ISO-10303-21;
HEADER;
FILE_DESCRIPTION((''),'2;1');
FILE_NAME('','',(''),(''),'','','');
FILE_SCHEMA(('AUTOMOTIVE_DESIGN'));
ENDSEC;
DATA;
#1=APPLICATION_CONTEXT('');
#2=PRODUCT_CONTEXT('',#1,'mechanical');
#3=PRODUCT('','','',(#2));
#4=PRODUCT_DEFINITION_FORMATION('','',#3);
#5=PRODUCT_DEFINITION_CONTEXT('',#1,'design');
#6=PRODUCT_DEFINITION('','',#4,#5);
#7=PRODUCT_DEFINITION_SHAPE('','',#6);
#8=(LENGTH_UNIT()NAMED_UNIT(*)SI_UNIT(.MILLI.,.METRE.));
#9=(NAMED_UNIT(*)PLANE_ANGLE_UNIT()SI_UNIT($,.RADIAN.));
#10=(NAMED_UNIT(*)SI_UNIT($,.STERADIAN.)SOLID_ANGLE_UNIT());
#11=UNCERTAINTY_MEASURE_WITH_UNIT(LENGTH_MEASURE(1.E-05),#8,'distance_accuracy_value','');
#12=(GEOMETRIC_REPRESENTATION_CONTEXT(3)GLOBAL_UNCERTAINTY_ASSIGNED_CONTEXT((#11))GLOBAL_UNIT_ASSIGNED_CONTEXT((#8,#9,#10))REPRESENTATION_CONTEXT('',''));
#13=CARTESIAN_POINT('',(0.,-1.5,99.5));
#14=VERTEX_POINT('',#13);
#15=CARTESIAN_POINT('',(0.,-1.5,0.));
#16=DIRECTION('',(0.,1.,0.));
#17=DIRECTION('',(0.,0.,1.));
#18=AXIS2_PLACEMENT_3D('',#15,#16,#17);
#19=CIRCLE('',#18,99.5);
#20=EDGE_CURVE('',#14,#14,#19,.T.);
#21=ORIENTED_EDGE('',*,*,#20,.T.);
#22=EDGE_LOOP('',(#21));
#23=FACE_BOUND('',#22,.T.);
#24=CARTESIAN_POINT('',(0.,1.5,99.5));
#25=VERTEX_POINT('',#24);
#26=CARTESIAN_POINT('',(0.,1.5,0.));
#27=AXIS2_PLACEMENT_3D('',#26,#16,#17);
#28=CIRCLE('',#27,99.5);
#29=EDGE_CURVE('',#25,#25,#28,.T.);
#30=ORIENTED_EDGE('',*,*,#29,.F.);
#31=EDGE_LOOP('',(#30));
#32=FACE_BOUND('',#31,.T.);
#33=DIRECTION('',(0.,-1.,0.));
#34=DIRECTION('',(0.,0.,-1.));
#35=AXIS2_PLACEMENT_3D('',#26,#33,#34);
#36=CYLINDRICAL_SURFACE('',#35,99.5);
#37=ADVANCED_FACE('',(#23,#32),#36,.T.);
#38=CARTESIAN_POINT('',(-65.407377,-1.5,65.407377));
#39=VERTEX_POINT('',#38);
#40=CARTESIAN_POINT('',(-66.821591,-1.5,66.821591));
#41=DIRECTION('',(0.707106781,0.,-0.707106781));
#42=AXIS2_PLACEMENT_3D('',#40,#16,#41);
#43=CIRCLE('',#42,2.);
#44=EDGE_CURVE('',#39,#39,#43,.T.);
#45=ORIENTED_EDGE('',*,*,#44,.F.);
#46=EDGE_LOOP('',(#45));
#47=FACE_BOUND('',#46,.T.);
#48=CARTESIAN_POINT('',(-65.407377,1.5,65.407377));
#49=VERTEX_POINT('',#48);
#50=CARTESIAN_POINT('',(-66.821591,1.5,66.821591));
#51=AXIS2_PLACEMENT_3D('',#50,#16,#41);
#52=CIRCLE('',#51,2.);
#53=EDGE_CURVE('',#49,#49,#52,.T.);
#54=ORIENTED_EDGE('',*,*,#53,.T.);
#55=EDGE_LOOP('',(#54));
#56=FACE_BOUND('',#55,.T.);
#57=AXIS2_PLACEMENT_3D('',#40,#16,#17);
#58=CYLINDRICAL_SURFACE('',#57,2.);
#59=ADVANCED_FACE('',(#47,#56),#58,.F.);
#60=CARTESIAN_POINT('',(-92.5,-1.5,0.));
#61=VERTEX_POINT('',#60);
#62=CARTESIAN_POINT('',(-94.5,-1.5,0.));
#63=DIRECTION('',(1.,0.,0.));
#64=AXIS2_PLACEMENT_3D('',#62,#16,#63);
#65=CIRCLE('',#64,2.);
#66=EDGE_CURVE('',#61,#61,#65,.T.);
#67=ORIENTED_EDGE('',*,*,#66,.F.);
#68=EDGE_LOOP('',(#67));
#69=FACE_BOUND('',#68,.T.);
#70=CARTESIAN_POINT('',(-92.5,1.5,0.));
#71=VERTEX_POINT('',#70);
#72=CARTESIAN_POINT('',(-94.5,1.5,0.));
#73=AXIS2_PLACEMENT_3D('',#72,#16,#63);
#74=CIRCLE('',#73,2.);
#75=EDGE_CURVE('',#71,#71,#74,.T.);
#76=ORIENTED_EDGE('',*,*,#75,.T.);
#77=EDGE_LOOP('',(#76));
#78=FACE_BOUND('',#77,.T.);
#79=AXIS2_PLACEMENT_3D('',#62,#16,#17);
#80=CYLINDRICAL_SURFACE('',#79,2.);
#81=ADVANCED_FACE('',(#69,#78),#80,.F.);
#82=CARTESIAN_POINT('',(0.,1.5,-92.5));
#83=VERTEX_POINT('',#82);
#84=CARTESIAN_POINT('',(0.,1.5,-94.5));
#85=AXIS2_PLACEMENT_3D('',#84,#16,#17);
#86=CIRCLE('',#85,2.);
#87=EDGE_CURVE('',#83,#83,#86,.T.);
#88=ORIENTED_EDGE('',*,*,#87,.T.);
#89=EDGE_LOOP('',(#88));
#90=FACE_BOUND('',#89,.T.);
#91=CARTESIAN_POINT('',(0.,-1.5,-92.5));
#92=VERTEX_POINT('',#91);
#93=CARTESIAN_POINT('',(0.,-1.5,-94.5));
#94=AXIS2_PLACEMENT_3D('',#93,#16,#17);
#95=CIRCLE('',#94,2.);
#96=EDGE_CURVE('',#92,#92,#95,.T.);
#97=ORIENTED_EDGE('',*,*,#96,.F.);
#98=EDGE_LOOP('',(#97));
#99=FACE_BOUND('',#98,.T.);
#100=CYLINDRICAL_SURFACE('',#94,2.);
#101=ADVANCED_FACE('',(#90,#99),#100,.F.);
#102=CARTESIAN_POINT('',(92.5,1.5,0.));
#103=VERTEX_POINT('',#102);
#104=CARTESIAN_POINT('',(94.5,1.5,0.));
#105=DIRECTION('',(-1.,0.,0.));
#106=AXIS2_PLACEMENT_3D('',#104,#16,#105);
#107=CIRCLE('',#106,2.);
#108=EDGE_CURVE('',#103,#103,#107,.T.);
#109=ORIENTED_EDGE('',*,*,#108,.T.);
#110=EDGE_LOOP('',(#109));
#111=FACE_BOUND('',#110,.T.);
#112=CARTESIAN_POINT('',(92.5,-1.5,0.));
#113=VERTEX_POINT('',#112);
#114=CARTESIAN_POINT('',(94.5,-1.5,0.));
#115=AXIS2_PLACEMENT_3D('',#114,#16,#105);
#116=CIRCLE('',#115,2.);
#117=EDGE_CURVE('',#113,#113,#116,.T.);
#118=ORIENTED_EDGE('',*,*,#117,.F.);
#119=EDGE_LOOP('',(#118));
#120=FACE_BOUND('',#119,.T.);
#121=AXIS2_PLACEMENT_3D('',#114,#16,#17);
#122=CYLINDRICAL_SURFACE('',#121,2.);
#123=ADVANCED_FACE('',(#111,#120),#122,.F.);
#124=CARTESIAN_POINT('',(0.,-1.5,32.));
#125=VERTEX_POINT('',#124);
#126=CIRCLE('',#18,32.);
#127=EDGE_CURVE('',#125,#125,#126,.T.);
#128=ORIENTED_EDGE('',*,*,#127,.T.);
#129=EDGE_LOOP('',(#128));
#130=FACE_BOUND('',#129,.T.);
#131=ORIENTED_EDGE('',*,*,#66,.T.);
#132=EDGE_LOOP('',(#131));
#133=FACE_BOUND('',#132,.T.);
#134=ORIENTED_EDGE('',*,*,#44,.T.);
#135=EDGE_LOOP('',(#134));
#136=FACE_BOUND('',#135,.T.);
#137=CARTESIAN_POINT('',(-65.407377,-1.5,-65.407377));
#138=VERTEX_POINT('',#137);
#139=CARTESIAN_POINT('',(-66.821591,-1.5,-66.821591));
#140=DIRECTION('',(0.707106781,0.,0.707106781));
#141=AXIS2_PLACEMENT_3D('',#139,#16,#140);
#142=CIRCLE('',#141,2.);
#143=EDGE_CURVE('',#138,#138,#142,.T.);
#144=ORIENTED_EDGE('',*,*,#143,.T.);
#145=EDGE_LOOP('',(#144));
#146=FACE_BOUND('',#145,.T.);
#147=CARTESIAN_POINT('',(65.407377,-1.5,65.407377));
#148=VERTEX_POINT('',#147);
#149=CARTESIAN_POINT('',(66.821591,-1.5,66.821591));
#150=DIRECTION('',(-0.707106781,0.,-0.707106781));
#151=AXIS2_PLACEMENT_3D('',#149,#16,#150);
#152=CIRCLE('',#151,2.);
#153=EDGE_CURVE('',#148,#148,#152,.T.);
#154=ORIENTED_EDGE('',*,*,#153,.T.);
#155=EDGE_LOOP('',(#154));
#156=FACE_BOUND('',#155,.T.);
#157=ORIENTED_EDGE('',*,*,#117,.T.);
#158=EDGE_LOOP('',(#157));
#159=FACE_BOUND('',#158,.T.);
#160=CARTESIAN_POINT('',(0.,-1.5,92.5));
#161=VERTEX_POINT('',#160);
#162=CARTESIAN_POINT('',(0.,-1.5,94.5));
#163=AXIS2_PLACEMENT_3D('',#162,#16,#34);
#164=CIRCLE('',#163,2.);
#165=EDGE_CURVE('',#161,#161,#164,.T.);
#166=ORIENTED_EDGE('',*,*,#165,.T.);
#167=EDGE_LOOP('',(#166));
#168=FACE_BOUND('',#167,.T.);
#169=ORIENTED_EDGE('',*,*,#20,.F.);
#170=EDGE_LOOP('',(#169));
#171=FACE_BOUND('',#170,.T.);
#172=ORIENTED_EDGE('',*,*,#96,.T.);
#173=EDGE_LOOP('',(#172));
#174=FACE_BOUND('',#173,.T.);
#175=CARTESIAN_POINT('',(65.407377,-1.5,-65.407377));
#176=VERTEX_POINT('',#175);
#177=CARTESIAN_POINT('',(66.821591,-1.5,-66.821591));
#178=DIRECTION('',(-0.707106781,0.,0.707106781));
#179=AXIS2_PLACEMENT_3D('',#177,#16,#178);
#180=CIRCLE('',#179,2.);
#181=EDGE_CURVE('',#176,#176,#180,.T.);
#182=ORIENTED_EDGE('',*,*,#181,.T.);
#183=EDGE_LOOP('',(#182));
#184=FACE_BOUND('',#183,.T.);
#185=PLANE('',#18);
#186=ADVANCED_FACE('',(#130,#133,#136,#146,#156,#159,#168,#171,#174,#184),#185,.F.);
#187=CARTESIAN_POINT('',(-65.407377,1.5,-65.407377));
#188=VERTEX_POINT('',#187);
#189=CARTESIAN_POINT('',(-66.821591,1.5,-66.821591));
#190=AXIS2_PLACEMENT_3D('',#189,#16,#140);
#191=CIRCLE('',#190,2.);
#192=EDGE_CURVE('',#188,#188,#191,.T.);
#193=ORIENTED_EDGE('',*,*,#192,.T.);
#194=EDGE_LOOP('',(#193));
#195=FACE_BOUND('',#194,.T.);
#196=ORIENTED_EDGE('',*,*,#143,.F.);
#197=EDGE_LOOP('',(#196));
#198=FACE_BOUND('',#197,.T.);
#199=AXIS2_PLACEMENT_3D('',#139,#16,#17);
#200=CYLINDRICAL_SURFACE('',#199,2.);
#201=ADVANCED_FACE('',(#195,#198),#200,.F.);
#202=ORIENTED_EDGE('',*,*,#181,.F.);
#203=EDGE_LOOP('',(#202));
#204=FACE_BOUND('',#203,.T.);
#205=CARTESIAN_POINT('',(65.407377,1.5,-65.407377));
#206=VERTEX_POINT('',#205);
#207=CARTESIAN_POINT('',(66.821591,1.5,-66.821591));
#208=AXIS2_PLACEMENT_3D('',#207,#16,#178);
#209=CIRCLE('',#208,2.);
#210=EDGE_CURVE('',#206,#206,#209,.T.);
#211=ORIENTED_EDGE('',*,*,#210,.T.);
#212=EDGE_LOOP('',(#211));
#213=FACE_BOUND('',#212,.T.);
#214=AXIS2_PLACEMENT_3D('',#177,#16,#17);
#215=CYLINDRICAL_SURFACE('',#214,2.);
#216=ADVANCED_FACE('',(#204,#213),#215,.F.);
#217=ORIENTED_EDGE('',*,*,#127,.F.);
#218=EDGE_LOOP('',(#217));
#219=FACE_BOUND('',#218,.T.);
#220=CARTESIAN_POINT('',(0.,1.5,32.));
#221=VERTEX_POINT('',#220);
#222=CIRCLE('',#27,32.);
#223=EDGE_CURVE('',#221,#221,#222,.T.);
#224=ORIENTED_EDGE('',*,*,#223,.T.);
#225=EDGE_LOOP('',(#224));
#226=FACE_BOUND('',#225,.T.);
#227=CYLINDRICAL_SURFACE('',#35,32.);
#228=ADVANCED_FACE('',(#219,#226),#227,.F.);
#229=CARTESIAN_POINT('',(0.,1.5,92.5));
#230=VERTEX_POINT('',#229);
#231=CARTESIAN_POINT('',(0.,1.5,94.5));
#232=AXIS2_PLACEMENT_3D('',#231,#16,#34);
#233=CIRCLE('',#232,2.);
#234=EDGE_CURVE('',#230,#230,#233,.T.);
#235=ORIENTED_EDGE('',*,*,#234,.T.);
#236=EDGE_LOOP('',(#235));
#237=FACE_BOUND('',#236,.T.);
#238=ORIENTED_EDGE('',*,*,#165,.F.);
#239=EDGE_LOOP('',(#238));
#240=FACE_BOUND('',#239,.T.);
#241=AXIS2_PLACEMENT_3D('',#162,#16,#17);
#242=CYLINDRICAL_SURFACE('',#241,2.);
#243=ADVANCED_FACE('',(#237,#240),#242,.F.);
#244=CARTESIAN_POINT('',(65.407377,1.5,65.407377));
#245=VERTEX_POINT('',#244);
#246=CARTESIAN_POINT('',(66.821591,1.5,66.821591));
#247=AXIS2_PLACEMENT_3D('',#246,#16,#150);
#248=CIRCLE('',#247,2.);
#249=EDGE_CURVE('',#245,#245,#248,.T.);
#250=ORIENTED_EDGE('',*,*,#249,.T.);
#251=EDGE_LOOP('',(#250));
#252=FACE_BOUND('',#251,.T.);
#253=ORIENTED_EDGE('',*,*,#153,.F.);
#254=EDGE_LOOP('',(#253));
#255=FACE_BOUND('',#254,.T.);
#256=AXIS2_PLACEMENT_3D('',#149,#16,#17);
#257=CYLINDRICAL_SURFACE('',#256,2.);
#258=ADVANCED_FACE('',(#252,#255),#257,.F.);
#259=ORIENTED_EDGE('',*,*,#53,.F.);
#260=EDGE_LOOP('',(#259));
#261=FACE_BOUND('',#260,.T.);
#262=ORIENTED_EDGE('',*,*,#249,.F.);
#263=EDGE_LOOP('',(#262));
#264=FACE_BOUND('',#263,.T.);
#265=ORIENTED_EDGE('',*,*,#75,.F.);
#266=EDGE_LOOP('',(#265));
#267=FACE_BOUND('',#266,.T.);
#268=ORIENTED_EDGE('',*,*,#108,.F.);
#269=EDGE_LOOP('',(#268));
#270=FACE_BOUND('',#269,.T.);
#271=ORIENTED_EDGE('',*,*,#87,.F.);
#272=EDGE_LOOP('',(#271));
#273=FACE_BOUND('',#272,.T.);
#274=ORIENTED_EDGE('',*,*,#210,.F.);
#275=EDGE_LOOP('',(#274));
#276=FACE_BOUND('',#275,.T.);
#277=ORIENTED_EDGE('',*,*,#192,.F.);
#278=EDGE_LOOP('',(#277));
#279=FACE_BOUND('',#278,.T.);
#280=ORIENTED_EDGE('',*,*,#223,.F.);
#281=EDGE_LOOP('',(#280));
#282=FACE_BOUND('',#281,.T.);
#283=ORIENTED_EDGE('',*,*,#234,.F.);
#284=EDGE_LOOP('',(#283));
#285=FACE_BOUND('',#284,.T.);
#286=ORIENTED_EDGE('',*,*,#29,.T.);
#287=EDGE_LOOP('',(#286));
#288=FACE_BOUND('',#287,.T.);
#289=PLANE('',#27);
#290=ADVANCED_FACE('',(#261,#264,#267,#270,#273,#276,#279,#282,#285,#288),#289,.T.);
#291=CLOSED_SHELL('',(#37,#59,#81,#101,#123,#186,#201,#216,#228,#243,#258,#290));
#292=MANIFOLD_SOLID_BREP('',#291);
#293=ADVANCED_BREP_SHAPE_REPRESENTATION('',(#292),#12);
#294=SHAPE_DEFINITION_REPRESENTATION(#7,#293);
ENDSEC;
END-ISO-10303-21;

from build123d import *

# Parameters (mm, degrees)
SKETCH1_R                     = 99.5
SKETCH1_R_2                   = 32
BASE_DEPTH                    = 1.5
SKETCH2_R                     = 2
STRUCTURAL_HOLE_DEPTH         = 141.746225527
STRUCTURAL_HOLE_PATTERN_COUNT = 8


with BuildPart() as part:
    # Sketch1 → Base (new, symmetric)
    with BuildSketch(Plane(origin=(0, 0, 0), x_dir=(1, 0, 0), z_dir=(0, 1, 0))):
        with Locations(Location((0, 0, 0), (0, 0, 270))):
            Circle(SKETCH1_R)
        with Locations(Location((0, 0, 0), (0, 0, 270))):
            Circle(SKETCH1_R_2, mode=Mode.SUBTRACT)
    extrude(amount=BASE_DEPTH, both=True)

    # Sketch2 → Structural Hole (cut, through all)
    with BuildSketch(Plane(origin=(0, 1.5, 0), x_dir=(1, 0, 0), z_dir=(0, 1, 0))):
        with Locations(Location((0, 94.5, 0), (0, 0, 270))):
            Circle(SKETCH2_R)
    structural_hole = extrude(amount=-STRUCTURAL_HOLE_DEPTH, mode=Mode.SUBTRACT)

    # Structural Hole Pattern: Structural Hole ×8 about axis
    structural_hole_pattern_axis = Axis((0, 0, 0), (0, 1, 0))
    for i in range(1, STRUCTURAL_HOLE_PATTERN_COUNT):
        add(structural_hole.rotate(structural_hole_pattern_axis, i * 360 / STRUCTURAL_HOLE_PATTERN_COUNT), mode=Mode.SUBTRACT)


solid = part.part
